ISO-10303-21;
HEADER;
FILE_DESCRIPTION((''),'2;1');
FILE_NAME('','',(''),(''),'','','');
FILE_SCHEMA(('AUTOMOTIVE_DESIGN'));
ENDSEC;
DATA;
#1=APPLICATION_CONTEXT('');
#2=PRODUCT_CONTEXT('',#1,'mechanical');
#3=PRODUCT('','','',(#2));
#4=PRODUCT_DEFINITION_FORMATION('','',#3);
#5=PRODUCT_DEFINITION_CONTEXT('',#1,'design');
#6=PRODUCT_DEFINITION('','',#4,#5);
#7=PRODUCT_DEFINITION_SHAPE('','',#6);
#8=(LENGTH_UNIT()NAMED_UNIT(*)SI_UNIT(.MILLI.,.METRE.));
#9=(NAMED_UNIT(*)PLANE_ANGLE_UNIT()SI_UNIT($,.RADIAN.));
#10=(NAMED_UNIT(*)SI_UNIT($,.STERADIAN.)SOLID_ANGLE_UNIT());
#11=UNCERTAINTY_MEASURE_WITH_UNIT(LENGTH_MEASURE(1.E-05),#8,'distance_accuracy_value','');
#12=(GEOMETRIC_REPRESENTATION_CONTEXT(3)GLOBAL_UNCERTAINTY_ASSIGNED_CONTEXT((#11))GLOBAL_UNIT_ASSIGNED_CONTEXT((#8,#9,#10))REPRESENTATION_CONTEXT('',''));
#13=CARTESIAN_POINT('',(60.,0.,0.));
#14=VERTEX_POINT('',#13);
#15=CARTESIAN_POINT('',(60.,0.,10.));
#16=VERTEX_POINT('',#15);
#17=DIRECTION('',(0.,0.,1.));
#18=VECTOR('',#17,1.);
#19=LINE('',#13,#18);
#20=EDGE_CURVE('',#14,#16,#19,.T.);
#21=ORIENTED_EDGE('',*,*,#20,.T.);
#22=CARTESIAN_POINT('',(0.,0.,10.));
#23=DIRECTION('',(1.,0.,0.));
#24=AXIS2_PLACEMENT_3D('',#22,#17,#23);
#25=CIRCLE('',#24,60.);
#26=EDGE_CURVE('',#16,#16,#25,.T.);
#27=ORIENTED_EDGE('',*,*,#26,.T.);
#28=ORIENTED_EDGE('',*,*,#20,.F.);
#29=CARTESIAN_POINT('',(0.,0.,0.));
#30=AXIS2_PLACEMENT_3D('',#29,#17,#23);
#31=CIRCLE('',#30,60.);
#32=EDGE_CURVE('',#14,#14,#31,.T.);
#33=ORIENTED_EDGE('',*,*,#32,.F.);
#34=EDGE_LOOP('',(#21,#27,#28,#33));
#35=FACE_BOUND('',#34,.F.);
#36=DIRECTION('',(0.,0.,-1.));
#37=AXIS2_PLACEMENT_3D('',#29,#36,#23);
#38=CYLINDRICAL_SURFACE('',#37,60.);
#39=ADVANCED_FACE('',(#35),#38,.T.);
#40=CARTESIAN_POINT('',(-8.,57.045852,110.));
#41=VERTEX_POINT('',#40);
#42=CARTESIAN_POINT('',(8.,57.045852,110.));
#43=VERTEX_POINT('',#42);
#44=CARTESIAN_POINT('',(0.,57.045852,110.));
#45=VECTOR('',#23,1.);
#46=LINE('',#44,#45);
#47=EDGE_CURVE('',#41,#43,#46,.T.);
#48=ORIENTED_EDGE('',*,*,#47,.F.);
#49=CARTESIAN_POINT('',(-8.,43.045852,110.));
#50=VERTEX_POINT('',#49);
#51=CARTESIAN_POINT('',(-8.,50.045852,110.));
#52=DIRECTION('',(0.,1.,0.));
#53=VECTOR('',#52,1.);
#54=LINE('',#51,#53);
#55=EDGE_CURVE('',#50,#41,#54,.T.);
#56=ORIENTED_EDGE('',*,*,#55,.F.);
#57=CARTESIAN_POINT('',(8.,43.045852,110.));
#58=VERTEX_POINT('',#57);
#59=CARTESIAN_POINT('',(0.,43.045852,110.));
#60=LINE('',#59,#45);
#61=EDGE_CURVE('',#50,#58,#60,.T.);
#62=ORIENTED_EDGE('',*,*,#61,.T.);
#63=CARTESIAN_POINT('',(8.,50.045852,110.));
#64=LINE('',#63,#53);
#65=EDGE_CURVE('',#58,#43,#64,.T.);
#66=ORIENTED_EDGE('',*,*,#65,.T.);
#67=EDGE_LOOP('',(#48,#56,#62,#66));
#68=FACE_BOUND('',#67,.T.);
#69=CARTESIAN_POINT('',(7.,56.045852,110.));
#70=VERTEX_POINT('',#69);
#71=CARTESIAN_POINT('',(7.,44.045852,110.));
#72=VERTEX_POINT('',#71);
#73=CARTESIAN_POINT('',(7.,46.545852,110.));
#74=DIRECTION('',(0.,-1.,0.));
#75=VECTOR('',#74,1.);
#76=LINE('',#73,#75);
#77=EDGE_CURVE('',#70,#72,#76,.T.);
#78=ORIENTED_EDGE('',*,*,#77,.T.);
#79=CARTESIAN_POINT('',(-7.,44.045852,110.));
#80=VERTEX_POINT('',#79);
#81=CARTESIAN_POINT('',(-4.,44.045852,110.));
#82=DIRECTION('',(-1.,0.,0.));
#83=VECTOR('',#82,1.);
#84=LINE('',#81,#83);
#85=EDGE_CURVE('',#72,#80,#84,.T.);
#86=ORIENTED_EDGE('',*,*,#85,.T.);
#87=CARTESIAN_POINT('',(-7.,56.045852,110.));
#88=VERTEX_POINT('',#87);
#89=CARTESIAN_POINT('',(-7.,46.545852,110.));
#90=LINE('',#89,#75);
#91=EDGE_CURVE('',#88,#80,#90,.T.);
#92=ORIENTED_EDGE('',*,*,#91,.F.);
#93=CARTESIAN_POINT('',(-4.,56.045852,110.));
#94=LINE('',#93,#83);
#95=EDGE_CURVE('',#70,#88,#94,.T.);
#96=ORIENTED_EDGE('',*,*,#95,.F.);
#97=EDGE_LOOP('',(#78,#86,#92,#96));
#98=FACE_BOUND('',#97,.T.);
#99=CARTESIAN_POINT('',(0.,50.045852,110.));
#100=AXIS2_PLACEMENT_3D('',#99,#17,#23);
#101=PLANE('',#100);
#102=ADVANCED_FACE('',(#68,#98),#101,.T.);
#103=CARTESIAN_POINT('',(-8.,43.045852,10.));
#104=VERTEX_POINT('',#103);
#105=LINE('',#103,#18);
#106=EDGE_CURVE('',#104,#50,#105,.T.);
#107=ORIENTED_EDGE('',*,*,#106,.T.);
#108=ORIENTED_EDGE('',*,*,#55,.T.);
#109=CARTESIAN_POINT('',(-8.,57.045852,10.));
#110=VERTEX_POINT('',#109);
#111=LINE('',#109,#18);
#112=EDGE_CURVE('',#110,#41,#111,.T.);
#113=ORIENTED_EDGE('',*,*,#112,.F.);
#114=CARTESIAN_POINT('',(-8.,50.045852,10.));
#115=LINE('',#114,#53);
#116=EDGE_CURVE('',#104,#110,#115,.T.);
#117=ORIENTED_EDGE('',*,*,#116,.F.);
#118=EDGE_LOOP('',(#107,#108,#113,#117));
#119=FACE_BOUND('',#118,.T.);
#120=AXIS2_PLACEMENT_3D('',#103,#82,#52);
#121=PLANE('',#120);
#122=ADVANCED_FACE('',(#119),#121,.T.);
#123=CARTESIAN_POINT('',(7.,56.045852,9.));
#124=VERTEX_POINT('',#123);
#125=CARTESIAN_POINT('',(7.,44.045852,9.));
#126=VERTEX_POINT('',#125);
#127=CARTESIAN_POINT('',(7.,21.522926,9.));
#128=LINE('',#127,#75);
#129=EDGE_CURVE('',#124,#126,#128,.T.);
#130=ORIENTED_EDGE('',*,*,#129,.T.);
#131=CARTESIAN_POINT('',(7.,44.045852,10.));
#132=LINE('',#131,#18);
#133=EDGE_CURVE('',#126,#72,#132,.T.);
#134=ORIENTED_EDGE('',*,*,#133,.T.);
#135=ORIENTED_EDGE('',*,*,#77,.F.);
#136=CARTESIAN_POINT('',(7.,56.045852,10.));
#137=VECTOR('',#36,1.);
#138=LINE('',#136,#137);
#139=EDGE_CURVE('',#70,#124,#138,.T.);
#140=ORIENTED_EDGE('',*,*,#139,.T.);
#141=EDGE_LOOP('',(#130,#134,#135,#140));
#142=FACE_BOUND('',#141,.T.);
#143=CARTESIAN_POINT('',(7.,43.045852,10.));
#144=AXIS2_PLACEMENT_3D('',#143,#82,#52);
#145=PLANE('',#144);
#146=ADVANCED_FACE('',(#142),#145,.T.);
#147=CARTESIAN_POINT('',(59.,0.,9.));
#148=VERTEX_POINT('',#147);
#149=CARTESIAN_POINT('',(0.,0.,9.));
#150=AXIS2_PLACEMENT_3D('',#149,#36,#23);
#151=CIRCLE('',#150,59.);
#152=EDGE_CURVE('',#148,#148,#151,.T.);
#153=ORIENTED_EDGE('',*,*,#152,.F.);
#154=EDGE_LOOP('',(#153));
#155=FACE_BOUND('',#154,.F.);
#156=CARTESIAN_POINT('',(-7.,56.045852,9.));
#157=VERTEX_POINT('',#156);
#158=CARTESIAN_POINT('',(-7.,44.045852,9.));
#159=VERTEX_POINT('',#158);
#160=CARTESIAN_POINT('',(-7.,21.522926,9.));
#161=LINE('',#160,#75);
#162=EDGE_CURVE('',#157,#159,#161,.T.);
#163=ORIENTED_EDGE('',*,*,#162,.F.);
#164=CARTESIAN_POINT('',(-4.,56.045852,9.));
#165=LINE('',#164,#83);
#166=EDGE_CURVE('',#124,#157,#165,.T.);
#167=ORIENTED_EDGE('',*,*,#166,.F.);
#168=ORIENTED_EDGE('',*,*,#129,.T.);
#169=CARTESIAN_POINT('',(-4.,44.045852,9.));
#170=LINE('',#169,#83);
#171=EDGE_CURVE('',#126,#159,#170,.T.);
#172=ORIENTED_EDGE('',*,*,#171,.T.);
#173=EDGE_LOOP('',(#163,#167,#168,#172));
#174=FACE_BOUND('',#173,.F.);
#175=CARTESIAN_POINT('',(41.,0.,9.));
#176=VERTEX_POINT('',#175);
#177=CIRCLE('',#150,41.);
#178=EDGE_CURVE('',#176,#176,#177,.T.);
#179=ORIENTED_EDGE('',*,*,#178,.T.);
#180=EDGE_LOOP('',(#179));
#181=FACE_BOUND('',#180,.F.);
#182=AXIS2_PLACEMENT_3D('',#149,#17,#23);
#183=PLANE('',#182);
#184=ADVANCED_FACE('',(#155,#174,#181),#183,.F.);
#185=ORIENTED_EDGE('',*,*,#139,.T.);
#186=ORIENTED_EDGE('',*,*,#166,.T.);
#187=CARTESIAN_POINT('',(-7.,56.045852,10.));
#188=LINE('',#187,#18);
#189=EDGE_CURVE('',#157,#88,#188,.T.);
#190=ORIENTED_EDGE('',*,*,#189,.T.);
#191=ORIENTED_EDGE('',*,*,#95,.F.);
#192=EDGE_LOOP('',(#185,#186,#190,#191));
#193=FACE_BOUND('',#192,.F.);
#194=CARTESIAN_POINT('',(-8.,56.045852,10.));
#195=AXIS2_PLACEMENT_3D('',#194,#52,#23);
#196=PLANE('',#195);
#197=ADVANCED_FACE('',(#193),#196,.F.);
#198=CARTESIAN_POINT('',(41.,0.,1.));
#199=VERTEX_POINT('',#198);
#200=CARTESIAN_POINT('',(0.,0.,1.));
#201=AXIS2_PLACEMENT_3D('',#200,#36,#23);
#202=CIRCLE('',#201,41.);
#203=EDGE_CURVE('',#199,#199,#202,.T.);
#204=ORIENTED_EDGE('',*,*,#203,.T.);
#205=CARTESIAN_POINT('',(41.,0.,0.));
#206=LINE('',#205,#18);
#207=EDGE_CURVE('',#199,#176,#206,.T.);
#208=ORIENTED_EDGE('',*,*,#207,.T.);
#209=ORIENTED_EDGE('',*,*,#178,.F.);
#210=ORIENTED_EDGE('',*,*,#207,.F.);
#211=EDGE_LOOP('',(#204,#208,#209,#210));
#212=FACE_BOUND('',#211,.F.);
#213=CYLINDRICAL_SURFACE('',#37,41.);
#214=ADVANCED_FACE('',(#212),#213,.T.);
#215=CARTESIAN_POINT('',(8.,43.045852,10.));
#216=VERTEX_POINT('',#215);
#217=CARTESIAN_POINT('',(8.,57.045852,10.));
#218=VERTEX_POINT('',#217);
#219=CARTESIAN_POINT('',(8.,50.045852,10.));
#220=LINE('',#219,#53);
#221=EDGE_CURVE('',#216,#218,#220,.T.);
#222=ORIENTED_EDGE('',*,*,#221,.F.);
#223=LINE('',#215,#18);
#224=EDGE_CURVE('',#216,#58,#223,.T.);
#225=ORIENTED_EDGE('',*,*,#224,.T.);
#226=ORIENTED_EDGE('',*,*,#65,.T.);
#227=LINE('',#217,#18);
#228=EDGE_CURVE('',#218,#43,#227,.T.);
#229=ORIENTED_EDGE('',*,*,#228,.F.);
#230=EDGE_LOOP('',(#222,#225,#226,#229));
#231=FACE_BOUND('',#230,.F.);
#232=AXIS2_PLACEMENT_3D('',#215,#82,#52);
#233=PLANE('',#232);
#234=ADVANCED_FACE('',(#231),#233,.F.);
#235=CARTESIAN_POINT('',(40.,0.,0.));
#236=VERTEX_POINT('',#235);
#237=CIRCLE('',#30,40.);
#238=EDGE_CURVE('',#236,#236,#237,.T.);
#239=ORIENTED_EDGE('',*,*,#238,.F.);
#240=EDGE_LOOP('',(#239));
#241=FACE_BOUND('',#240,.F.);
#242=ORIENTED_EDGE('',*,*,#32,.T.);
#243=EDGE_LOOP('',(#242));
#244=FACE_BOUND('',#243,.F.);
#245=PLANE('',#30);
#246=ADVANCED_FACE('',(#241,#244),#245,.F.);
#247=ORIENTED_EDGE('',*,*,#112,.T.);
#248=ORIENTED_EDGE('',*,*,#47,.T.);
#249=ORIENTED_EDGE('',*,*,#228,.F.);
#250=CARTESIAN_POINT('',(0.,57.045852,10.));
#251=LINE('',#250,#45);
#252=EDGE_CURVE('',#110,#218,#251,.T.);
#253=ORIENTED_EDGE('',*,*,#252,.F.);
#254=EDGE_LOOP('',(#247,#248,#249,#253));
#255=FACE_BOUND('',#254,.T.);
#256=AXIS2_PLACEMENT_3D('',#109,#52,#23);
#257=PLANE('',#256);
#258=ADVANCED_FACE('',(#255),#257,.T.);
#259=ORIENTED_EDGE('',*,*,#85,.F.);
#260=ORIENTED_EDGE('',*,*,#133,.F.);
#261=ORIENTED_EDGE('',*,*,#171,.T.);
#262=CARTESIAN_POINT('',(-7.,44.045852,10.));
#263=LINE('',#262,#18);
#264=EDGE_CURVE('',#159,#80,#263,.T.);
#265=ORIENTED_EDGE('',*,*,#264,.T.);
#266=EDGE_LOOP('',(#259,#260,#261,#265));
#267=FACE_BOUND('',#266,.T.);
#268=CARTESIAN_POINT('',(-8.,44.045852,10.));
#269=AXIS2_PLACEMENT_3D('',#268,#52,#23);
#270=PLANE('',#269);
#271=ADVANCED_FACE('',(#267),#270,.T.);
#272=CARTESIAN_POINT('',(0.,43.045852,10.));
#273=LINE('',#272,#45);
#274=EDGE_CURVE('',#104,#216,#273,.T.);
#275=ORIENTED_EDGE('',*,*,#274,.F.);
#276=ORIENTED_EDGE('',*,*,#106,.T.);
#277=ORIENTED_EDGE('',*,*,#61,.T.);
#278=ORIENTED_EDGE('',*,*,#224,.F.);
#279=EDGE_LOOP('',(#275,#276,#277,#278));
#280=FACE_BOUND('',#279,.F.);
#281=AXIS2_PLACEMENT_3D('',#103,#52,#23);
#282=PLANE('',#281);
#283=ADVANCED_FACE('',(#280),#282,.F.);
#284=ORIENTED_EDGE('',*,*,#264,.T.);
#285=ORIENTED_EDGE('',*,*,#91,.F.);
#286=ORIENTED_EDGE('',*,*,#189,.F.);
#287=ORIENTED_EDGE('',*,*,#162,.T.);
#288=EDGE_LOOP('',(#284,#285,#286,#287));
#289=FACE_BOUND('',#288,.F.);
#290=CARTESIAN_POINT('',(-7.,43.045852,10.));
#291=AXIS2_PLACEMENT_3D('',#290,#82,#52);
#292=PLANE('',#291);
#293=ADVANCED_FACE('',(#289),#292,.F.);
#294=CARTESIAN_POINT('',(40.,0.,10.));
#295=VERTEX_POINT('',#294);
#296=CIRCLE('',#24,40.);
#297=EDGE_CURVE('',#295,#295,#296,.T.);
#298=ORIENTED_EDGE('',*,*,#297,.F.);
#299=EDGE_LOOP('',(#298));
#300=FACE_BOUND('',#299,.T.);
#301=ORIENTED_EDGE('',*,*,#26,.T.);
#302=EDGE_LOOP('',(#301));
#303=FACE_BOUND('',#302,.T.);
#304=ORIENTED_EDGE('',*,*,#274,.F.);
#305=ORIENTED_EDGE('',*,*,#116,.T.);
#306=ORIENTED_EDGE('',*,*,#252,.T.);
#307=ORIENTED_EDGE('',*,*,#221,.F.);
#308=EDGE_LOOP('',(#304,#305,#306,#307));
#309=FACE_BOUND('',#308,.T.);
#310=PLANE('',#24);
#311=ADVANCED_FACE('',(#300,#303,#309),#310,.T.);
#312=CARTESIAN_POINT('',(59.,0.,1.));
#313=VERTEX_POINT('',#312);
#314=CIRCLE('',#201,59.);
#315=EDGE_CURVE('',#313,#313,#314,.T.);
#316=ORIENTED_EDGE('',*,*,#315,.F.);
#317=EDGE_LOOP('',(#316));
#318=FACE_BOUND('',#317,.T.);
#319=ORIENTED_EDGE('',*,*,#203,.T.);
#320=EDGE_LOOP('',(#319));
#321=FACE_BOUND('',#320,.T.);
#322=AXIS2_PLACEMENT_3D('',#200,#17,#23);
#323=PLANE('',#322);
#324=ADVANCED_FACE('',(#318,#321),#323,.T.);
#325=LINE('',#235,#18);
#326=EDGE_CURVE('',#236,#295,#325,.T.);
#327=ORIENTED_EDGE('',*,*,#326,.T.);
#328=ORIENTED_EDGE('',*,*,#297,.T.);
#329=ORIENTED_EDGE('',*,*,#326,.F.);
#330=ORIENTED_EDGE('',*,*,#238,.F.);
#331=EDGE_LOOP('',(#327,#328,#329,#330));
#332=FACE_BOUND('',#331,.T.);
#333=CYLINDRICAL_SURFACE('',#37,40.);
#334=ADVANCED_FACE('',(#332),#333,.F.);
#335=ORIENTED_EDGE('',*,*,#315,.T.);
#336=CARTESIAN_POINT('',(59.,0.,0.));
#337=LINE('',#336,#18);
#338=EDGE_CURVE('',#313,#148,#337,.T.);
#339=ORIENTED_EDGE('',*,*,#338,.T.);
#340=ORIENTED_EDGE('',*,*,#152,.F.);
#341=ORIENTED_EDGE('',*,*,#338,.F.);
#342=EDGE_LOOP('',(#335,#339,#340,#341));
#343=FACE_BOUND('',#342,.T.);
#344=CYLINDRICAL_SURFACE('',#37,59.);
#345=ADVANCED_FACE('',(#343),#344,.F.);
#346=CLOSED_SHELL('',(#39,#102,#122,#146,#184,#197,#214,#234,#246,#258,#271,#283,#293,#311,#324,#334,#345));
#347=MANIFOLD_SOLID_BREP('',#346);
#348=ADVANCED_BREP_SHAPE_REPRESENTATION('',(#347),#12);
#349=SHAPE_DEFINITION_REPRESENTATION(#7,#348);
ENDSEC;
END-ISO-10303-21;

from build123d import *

# Parameters (mm, degrees)
F0_R     = 60
F1_DEPTH = 10
F2_R     = 40
F3_DEPTH = 10
F4_W     = 16
F4_H     = 14
F5_DEPTH = 100
F6_T     = -1


with BuildPart() as f1:
    # F0 (on Top) → F1 (new body)
    with BuildSketch(Plane.XY):
        Circle(F0_R)
    extrude(amount=F1_DEPTH)

    # F2 (on Top) → F3 (cut)
    with BuildSketch(Plane.XY):
        Circle(F2_R)
    extrude(amount=F3_DEPTH, mode=Mode.SUBTRACT)

    # F4 (on face) → F5 (join)
    with BuildSketch(Plane.XY.offset(10)):
        with Locations((0, 50.0458516181)):
            Rectangle(F4_W, F4_H)
    extrude(amount=F5_DEPTH)

    # F6
    f6_openings = [f1.faces().sort_by_distance(p)[0] for p in [
        (0, 50.045852, 110),
    ]]
    offset(amount=F6_T, openings=f6_openings, kind=Kind.INTERSECTION)


solid = f1.part
